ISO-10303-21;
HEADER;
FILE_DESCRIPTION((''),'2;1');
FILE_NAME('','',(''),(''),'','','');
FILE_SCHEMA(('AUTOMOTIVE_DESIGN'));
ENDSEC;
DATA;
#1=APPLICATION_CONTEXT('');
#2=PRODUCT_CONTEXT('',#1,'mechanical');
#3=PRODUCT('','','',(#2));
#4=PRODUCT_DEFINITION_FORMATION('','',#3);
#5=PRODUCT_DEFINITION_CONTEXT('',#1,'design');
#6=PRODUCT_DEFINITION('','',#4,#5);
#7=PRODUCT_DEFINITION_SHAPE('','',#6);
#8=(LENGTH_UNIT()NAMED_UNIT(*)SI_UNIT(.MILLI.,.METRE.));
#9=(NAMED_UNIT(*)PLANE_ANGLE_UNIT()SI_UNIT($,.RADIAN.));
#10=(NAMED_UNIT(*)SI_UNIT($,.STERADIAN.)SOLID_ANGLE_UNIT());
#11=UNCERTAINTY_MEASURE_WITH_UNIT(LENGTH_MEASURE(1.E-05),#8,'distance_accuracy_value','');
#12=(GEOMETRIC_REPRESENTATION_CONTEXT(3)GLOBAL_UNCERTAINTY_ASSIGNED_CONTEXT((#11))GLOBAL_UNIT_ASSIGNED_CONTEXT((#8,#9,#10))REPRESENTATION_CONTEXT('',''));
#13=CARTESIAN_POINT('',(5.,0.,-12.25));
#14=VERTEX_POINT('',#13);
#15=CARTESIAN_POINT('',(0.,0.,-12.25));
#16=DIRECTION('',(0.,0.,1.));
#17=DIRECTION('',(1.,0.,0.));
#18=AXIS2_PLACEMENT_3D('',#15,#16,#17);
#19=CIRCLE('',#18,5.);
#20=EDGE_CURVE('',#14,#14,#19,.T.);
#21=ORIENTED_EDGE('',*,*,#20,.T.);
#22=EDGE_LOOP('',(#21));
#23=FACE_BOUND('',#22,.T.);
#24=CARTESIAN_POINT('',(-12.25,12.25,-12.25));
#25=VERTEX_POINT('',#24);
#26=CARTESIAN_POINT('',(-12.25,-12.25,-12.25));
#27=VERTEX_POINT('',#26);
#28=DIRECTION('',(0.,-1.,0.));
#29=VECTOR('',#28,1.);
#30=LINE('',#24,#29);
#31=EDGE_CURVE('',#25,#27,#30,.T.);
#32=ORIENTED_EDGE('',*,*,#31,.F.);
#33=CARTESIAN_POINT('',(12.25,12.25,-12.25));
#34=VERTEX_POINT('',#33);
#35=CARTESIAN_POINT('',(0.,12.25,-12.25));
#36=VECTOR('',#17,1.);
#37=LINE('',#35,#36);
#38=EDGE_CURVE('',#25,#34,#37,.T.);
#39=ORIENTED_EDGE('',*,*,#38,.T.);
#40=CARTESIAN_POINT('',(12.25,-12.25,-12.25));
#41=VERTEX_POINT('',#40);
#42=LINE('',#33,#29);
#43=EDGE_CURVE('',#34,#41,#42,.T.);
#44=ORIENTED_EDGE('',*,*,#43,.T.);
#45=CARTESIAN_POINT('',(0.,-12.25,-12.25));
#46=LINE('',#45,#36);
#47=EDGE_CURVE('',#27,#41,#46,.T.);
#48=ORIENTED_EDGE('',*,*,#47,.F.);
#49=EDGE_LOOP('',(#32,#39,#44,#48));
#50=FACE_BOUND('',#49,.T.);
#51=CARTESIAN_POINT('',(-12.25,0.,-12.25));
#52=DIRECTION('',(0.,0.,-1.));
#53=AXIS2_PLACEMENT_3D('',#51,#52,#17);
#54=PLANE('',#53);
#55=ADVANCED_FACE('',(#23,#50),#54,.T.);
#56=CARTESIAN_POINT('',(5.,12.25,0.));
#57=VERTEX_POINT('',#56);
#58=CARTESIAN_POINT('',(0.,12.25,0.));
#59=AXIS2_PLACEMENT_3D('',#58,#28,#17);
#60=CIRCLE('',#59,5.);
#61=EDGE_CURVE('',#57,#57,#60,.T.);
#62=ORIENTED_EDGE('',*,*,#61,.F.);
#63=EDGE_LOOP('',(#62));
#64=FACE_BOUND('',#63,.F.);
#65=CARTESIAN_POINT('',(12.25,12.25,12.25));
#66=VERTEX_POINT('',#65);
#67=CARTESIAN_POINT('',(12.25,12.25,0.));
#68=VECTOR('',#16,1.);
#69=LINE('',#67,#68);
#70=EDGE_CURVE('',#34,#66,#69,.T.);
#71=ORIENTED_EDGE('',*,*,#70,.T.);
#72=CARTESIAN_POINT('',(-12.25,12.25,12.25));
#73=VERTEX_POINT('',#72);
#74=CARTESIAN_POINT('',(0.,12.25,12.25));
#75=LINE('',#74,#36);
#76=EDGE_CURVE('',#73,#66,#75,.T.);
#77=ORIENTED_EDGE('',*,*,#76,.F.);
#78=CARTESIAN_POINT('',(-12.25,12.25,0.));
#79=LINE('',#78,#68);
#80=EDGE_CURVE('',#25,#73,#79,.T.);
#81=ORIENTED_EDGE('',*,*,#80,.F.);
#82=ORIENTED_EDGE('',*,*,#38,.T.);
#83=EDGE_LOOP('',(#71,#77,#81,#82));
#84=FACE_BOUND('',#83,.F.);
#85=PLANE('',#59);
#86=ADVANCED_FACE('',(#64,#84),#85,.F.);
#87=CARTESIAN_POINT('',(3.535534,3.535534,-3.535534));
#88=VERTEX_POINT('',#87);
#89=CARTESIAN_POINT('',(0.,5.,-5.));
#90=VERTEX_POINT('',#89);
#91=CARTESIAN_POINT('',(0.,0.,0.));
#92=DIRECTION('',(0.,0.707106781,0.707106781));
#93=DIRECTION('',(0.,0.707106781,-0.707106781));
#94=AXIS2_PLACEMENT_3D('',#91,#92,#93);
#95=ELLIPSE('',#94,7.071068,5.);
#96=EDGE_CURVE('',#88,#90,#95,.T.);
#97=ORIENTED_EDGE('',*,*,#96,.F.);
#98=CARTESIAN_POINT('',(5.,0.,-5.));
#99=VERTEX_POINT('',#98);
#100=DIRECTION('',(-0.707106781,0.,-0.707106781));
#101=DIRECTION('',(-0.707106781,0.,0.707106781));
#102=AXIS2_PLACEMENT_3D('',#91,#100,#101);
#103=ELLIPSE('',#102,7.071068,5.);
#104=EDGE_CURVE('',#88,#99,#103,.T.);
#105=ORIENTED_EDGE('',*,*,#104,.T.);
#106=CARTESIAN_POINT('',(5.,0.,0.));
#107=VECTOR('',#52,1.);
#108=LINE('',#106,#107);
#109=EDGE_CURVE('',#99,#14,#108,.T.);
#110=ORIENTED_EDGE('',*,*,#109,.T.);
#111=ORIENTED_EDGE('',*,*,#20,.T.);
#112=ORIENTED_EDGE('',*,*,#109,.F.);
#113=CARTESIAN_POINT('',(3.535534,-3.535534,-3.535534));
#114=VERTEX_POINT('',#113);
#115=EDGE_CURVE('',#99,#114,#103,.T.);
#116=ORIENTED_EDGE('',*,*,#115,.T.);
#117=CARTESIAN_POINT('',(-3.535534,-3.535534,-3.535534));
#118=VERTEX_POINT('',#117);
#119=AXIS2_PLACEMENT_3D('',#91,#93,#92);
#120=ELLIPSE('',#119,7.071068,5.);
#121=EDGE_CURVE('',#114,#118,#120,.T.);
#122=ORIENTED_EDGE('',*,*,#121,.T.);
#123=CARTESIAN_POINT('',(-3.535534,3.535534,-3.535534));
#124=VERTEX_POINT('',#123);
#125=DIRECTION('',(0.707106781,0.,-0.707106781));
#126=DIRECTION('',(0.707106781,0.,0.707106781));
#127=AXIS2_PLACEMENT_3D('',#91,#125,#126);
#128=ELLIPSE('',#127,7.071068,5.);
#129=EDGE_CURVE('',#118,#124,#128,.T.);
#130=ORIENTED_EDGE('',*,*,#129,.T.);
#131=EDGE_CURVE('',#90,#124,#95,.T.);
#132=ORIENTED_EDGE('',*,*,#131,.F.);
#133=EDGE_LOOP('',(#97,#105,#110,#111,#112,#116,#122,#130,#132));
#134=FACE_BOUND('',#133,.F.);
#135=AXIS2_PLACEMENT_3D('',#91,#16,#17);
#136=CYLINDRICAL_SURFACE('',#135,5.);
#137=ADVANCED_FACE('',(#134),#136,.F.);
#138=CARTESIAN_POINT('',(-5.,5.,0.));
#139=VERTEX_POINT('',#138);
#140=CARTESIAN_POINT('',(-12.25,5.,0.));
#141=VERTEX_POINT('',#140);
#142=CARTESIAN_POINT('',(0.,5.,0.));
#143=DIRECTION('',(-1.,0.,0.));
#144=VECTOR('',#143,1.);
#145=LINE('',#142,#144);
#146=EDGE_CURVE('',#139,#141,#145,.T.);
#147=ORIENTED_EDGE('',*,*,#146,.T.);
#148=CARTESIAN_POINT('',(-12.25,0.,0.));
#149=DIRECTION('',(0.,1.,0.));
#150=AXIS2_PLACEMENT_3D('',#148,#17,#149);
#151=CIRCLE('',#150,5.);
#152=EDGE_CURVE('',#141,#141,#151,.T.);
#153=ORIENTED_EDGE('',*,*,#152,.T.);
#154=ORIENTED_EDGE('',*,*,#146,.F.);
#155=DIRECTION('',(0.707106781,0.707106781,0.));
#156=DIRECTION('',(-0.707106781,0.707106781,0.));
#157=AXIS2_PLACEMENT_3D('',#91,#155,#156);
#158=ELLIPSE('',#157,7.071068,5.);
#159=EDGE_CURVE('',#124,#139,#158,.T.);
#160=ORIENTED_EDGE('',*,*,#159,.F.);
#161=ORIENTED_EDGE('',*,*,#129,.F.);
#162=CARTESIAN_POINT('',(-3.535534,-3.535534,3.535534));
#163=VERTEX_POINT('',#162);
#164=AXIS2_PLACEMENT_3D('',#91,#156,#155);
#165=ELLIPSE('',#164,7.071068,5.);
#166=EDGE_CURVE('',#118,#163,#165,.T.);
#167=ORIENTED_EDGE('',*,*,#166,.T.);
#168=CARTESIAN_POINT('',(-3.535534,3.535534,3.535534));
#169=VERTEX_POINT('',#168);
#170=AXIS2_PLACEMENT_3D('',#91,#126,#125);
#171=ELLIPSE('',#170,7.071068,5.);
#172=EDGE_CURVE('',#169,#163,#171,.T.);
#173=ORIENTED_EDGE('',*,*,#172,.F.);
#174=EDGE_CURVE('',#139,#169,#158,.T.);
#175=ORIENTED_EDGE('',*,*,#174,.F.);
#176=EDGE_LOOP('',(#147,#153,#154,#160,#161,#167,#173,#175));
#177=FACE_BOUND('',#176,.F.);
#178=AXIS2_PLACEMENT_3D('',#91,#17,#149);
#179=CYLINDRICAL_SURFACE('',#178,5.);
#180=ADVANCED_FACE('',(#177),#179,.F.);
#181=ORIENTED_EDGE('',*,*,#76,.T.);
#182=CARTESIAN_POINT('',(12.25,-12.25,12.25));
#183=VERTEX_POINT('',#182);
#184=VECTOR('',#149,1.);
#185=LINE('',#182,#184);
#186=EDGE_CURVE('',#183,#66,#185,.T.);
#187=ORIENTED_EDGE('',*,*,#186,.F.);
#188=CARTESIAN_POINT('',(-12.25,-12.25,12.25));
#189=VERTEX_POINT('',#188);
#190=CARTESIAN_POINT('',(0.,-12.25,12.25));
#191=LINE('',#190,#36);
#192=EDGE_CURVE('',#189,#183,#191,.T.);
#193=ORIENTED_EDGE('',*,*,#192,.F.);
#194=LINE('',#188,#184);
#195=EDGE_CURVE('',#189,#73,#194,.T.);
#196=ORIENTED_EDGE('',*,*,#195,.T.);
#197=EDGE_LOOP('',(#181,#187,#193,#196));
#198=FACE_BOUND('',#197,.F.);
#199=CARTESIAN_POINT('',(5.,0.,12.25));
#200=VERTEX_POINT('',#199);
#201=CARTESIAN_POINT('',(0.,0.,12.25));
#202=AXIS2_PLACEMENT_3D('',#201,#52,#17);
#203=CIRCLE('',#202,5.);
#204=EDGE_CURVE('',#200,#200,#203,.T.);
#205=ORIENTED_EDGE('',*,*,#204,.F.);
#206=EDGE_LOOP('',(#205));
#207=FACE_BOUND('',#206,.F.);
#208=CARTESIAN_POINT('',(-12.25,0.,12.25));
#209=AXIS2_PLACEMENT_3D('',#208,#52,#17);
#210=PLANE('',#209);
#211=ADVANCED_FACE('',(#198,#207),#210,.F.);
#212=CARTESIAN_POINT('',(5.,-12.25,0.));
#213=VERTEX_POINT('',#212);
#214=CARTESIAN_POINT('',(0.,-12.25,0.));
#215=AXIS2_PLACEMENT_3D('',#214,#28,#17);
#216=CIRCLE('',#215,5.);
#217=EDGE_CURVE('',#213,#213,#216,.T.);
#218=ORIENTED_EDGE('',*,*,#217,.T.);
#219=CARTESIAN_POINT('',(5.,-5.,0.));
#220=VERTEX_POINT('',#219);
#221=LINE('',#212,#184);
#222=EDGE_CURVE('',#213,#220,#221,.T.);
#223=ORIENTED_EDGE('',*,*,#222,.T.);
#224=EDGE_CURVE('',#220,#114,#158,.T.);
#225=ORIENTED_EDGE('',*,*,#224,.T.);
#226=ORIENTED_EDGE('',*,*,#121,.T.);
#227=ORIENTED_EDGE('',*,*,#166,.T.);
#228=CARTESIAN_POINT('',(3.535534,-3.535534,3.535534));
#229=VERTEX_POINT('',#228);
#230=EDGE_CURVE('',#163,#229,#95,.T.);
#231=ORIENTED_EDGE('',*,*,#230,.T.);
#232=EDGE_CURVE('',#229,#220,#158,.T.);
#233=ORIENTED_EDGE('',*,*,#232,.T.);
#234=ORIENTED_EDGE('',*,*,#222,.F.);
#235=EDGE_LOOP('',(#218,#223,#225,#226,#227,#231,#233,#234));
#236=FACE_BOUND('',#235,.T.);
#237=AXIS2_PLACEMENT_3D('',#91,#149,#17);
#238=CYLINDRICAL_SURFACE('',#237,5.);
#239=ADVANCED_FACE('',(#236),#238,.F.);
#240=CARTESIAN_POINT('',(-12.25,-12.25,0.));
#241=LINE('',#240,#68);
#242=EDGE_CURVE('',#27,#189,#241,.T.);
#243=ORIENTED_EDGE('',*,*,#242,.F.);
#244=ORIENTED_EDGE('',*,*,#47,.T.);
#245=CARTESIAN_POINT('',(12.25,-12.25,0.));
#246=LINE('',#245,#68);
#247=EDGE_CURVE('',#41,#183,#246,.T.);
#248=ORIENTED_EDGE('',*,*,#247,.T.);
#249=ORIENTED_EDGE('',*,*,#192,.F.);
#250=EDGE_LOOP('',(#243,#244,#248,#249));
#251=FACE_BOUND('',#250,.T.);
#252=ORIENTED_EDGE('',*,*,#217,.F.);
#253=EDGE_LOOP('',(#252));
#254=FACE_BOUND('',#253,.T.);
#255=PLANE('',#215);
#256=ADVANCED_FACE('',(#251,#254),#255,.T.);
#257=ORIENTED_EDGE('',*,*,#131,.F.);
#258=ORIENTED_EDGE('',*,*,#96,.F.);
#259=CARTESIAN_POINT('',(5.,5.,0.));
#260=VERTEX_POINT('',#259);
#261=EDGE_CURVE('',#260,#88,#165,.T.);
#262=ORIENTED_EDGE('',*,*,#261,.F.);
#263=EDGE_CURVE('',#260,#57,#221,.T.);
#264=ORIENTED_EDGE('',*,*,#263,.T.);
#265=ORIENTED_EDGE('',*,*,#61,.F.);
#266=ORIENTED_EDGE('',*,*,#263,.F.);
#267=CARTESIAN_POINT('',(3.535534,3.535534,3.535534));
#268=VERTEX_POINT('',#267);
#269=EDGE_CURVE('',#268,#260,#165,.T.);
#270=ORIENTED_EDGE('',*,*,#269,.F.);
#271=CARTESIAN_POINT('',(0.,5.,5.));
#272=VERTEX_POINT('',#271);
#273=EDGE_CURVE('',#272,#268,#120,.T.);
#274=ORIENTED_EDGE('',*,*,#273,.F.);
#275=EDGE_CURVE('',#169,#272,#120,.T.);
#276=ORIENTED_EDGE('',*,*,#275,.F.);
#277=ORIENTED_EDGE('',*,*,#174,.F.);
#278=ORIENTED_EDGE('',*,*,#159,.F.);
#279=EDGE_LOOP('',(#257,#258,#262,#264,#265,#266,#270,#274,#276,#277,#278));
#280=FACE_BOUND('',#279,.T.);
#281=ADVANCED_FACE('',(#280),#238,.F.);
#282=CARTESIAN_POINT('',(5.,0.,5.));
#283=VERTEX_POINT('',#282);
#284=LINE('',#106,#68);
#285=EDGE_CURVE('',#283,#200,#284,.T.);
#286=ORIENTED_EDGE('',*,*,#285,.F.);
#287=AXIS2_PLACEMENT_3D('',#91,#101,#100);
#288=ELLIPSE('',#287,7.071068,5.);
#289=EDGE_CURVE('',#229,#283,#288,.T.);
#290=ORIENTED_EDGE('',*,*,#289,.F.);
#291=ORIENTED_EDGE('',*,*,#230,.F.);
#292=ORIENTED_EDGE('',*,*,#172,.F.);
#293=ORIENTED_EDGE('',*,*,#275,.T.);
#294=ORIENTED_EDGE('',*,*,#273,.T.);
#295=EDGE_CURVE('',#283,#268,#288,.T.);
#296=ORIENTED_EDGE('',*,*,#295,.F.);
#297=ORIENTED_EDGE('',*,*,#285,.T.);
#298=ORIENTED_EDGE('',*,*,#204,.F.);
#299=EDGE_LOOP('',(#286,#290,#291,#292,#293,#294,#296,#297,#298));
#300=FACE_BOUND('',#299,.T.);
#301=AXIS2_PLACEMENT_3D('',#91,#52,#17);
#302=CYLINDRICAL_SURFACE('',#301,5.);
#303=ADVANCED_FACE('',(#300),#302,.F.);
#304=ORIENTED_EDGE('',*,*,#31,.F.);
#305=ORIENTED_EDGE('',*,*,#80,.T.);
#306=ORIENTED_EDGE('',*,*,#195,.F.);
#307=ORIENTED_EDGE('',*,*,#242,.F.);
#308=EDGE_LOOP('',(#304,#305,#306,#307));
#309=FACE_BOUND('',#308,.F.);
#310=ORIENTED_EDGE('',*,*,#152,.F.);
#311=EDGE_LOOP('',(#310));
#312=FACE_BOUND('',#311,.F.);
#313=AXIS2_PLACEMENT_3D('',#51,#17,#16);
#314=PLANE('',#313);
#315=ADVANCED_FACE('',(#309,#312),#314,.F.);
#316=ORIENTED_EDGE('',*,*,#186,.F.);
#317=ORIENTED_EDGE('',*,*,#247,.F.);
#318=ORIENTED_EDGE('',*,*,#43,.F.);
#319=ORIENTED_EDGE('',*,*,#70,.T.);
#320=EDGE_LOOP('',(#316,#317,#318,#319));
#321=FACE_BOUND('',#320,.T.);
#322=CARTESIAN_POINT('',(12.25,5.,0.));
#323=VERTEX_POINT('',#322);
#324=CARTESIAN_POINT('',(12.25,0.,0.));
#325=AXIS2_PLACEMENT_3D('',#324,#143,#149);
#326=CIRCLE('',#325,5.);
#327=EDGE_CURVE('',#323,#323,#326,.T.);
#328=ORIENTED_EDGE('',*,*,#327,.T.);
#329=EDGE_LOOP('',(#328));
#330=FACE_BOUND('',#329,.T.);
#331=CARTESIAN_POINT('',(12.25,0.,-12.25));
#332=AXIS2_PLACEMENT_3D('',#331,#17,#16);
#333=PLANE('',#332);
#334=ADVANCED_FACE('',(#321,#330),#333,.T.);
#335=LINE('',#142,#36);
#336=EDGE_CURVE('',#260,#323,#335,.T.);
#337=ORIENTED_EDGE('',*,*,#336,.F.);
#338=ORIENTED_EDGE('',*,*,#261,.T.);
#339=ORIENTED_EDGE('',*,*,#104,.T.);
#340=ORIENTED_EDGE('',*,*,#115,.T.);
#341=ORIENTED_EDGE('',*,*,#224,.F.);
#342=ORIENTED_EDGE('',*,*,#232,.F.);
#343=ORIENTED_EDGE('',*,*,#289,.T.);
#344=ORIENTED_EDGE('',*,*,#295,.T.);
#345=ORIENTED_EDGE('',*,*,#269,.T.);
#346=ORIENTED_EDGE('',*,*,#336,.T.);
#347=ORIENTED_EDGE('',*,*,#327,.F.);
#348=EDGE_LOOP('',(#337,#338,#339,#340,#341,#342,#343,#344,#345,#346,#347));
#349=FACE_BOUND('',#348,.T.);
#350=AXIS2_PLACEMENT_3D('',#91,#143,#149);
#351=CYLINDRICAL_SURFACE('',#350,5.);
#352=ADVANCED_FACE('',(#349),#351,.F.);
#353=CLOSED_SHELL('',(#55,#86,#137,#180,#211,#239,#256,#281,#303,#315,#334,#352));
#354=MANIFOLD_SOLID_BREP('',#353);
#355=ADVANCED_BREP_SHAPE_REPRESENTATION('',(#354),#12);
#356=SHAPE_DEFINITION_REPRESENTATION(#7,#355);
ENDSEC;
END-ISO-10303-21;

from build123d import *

# Parameters (mm, degrees)
F0_W          = 24.5
F0_H          = 24.5
F0_R          = 5
F1_DEPTH      = 12.25
F2_R          = 5
F3_DEPTH      = 12.251
F3_DEPTH_BACK = 12.251
F4_R          = 5
F5_DEPTH      = 12.251
F5_DEPTH_BACK = 12.251


with BuildPart() as f1:
    # F0 (on Front) → F1 (new body, symmetric)
    with BuildSketch(Plane.XZ):
        Rectangle(F0_W, F0_H)
        Circle(F0_R, mode=Mode.SUBTRACT)
    extrude(amount=F1_DEPTH, both=True)

    # F2 (on Right) → F3 (cut, two sides)
    with BuildSketch(Plane.YZ) as f3_sk:
        Circle(F2_R)
    extrude(amount=-F3_DEPTH, mode=Mode.SUBTRACT)
    extrude(f3_sk.sketch, amount=F3_DEPTH_BACK, mode=Mode.SUBTRACT)

    # F4 (on Top) → F5 (cut, two sides)
    with BuildSketch(Plane.XY) as f5_sk:
        Circle(F4_R)
    extrude(amount=-F5_DEPTH, mode=Mode.SUBTRACT)
    extrude(f5_sk.sketch, amount=F5_DEPTH_BACK, mode=Mode.SUBTRACT)


solid = f1.part
